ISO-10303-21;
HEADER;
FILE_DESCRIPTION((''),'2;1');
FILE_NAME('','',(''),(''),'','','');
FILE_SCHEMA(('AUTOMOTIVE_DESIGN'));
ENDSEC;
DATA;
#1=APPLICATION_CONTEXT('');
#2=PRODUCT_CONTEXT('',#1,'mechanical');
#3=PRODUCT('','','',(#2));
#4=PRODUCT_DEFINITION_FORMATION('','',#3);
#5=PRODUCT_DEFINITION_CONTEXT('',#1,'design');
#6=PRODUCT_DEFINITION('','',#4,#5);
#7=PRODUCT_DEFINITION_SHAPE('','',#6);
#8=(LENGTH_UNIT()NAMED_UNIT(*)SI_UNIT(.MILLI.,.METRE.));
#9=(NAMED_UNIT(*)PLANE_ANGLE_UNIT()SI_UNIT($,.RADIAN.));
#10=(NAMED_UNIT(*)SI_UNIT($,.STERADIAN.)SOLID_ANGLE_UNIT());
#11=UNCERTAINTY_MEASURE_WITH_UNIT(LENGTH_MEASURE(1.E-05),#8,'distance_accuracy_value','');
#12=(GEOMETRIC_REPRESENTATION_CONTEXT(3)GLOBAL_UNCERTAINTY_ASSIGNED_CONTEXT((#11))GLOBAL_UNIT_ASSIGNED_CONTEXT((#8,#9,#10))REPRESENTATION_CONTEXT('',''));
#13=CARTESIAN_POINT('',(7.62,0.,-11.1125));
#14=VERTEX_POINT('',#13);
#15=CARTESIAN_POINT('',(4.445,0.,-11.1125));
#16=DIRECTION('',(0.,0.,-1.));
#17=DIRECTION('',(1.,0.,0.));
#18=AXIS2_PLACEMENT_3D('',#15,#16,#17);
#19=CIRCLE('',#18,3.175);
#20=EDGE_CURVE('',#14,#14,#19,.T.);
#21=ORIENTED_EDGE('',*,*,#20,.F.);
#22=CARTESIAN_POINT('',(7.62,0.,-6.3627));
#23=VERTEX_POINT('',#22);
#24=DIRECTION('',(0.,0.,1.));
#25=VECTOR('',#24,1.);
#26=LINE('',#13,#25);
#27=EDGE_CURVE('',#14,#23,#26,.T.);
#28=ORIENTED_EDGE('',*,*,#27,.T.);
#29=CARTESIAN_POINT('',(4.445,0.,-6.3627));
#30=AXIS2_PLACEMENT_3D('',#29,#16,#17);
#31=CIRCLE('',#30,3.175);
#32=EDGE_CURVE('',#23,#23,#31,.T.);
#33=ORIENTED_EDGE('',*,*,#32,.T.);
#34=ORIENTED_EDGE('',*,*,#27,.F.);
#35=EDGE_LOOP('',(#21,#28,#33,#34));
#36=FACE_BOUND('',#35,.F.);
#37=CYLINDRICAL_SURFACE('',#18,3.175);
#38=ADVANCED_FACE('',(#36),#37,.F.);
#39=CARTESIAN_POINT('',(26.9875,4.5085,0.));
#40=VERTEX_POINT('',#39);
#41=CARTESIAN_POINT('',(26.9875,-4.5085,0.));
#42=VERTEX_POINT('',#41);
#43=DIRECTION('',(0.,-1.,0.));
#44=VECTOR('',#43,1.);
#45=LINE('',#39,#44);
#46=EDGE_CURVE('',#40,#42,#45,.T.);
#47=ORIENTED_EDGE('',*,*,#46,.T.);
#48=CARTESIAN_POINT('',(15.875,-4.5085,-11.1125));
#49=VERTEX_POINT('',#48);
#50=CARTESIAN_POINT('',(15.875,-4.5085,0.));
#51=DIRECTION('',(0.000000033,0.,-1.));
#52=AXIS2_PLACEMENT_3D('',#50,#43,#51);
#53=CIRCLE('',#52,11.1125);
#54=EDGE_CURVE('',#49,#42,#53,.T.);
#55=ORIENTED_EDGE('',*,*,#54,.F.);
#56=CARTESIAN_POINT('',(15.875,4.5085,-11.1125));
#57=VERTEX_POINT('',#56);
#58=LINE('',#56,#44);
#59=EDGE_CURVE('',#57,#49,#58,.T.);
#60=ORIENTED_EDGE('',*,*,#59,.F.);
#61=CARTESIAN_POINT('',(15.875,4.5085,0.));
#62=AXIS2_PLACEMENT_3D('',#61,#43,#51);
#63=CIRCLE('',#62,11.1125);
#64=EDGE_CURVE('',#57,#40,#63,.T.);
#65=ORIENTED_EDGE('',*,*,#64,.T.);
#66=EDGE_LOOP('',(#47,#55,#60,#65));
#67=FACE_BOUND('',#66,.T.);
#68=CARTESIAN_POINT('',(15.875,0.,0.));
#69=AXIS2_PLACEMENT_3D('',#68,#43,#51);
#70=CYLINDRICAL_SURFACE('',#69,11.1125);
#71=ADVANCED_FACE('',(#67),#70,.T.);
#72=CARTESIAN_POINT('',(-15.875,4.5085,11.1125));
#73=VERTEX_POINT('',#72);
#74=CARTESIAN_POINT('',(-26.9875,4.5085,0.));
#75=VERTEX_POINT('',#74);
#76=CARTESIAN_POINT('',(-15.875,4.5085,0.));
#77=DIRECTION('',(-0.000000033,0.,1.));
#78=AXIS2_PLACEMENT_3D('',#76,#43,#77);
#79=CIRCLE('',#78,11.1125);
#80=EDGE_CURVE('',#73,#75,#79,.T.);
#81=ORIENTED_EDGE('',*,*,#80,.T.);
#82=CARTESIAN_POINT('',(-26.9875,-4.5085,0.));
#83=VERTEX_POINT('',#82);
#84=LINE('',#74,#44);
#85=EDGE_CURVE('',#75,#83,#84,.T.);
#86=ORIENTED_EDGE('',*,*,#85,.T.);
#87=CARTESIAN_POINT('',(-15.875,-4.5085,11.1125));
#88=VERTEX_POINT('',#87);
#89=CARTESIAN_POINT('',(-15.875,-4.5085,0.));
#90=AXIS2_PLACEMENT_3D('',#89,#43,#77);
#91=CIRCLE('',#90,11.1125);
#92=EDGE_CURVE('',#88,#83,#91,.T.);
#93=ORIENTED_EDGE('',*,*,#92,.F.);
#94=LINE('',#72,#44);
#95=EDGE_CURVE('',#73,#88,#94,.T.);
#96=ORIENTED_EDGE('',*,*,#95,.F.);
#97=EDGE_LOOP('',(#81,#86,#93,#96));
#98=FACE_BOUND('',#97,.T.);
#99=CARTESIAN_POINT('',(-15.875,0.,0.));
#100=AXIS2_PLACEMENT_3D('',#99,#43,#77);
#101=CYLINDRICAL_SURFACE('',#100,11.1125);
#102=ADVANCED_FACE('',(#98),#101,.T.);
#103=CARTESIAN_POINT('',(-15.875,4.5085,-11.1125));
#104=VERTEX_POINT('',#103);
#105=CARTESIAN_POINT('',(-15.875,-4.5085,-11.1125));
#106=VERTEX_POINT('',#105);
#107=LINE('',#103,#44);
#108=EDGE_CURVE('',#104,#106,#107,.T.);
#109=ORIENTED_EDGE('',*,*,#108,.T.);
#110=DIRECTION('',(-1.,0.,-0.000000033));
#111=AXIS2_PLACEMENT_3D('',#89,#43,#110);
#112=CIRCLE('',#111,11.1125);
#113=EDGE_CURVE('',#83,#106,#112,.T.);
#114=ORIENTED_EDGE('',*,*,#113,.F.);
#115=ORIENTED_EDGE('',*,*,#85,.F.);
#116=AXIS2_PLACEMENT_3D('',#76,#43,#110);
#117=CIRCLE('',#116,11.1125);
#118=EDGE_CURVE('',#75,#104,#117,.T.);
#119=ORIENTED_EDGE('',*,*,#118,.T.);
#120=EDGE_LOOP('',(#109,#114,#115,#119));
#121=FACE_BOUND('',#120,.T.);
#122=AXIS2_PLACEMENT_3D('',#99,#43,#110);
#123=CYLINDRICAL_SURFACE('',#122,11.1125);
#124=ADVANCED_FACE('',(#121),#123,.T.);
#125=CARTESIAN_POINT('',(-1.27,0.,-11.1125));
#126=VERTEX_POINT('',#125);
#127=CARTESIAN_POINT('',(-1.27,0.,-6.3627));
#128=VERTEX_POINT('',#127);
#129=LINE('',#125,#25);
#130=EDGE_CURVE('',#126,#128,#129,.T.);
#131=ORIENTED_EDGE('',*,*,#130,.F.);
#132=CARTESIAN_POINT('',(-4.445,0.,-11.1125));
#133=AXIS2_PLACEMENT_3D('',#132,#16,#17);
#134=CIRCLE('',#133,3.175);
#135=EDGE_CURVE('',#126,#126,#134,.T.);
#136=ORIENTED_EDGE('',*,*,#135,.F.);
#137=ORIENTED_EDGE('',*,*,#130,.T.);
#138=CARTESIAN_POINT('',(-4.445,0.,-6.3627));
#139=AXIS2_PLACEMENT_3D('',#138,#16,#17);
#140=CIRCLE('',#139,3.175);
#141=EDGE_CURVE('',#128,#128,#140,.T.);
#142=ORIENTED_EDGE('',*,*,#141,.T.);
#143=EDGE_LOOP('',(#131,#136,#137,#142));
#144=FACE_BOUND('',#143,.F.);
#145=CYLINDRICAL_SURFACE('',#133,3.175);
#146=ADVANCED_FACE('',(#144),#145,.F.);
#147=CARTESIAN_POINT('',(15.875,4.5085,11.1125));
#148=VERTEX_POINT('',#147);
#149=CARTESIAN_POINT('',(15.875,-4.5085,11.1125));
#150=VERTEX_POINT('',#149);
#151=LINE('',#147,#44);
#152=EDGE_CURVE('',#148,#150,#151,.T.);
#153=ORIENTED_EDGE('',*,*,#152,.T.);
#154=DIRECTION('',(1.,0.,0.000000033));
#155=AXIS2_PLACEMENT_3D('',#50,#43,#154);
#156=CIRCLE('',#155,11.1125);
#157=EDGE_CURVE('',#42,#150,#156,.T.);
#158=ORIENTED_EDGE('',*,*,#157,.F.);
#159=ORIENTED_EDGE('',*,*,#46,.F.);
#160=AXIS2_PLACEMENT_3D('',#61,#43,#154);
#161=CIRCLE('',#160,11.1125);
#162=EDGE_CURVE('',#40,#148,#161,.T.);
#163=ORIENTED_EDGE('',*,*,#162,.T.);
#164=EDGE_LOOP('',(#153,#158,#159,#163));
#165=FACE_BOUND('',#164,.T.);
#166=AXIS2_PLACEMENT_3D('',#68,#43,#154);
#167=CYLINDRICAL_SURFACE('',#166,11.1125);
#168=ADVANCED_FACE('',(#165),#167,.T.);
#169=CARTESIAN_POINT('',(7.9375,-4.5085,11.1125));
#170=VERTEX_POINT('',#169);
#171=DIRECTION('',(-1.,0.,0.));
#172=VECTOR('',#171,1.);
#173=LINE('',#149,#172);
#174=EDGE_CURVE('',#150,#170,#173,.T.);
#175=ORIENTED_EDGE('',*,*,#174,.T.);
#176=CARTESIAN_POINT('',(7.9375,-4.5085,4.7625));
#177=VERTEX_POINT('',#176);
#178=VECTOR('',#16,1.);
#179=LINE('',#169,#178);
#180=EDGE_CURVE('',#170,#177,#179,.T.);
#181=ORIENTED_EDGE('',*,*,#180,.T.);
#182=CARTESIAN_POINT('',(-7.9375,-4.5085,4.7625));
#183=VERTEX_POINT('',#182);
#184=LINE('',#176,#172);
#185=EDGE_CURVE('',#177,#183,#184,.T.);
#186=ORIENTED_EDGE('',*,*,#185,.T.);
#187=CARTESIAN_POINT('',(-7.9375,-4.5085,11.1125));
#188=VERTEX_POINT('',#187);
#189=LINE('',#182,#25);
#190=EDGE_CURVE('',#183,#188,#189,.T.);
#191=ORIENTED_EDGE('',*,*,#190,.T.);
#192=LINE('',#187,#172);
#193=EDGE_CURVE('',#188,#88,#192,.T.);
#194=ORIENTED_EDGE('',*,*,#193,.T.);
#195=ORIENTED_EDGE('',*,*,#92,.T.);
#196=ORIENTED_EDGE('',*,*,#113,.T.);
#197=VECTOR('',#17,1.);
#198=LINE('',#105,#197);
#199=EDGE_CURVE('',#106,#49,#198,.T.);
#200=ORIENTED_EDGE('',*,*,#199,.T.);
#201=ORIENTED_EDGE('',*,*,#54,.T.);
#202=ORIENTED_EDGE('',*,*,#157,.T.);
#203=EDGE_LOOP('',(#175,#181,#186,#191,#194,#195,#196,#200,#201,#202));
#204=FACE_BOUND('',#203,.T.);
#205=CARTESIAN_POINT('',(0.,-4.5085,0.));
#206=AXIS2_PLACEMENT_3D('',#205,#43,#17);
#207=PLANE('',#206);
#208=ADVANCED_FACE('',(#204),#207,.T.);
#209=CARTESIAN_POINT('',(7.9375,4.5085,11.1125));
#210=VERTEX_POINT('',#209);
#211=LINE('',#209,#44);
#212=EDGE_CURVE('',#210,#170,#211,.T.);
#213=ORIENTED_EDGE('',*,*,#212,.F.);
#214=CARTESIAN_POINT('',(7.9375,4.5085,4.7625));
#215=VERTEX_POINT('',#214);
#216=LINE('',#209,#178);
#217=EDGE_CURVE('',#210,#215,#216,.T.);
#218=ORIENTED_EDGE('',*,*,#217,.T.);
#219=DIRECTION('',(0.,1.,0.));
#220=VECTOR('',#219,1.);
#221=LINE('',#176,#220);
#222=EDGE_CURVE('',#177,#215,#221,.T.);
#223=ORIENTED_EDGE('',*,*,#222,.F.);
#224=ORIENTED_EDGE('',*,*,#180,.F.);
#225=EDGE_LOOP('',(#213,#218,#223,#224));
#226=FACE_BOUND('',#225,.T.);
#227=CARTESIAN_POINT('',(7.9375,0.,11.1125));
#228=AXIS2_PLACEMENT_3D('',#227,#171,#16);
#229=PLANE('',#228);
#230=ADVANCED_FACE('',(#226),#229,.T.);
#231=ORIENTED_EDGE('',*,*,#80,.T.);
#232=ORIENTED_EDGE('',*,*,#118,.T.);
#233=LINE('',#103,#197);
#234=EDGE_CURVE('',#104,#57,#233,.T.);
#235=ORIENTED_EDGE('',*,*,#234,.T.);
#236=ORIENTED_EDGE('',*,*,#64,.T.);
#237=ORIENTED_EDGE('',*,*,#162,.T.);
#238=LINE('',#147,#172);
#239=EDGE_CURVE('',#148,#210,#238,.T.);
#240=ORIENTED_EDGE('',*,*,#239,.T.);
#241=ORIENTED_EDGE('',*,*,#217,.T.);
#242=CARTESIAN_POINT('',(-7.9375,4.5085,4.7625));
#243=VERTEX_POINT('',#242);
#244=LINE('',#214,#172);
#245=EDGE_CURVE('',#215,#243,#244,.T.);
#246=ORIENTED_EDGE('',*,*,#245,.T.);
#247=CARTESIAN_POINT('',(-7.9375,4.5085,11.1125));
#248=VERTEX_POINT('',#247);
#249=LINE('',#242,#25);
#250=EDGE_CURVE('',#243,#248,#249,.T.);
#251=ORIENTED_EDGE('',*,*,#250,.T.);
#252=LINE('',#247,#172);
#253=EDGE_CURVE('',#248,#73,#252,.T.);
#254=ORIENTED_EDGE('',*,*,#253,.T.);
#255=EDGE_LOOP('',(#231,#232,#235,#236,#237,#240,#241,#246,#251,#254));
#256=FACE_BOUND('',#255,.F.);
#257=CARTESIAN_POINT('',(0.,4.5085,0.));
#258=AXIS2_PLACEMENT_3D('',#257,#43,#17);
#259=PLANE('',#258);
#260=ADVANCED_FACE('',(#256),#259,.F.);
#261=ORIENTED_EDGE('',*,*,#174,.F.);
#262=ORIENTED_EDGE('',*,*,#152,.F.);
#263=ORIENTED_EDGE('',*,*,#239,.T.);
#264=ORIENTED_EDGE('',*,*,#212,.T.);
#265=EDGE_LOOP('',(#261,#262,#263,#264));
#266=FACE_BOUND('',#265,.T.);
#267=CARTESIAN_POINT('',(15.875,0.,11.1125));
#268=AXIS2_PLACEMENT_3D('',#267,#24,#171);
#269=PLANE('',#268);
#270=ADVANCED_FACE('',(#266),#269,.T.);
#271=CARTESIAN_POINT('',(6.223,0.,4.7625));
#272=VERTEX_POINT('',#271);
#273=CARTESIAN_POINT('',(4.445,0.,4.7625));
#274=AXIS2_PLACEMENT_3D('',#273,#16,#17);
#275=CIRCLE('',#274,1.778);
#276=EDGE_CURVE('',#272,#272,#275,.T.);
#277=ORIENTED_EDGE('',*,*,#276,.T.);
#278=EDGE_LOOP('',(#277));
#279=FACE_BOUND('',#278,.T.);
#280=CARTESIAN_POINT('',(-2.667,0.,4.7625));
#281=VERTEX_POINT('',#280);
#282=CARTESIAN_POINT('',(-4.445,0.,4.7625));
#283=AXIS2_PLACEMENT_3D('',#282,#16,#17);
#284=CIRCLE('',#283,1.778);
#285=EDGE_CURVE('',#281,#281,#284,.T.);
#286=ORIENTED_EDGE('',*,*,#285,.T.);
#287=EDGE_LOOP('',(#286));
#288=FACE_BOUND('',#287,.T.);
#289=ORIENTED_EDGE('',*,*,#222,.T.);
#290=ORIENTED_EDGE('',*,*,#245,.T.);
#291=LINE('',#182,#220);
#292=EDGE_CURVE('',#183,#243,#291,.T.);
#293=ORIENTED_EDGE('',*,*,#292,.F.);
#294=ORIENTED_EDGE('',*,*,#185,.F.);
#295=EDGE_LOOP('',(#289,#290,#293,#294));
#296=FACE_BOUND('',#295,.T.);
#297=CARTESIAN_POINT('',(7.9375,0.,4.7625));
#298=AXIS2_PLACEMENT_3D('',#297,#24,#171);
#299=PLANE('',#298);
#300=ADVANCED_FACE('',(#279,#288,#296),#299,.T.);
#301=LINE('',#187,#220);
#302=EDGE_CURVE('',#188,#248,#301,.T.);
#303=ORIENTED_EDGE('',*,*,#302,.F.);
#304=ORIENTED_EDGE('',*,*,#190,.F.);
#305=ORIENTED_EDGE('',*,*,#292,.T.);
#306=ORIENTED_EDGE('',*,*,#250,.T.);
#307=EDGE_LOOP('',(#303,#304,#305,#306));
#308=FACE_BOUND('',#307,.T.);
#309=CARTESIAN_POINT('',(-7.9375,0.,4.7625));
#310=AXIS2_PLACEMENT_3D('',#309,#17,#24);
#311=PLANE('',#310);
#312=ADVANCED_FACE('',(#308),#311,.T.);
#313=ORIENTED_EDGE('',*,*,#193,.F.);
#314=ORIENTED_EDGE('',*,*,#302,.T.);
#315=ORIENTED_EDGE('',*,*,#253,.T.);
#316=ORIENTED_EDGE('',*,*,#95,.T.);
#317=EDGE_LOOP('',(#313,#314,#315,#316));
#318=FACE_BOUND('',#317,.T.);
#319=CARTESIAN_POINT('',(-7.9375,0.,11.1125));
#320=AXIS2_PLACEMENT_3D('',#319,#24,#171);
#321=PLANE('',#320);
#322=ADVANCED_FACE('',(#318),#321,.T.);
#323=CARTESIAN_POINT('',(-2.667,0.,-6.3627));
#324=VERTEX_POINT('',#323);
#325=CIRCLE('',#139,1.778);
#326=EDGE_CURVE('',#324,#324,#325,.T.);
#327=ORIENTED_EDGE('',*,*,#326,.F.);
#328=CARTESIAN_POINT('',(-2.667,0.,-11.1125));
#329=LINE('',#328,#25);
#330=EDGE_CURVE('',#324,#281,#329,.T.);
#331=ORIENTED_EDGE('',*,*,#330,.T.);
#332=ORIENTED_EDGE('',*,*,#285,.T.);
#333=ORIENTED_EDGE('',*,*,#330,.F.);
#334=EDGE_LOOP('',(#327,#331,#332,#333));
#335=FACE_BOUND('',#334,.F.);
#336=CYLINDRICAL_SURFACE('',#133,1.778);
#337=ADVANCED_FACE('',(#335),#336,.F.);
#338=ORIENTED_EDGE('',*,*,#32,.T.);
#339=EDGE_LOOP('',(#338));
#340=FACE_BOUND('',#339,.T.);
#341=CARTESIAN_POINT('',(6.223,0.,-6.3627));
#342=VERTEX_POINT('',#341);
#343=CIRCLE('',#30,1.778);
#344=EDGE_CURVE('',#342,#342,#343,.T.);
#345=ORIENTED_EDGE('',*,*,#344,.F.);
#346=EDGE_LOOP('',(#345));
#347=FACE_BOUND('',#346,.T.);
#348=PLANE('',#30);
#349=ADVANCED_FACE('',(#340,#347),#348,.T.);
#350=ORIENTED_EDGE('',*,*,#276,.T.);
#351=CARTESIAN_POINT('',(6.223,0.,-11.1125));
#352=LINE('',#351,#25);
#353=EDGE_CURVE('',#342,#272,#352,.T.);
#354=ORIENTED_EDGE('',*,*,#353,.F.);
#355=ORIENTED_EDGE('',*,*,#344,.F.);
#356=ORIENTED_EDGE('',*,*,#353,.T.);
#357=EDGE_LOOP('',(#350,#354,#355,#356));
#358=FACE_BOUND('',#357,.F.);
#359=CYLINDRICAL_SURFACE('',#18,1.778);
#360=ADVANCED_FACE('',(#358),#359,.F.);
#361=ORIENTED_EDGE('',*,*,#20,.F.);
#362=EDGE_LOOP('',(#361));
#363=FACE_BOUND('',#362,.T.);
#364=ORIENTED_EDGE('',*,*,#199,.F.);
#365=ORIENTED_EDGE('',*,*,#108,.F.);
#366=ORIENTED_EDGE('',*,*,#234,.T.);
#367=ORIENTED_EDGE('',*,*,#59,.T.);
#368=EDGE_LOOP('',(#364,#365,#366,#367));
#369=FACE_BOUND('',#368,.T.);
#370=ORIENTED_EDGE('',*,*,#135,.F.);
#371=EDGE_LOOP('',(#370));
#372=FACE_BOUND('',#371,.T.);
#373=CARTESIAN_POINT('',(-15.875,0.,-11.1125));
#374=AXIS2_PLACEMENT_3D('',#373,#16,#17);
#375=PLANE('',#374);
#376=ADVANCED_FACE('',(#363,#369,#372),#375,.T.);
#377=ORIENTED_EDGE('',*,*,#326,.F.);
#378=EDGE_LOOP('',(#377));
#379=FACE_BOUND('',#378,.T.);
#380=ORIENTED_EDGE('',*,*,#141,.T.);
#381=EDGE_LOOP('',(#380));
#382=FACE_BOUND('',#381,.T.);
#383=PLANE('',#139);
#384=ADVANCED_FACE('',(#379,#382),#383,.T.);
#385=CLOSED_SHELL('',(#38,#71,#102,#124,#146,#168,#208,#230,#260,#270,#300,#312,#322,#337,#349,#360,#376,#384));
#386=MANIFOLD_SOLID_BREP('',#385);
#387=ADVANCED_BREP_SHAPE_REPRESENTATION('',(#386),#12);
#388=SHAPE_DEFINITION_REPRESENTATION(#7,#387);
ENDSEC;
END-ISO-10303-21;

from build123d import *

# Parameters (mm, degrees)
F1_DEPTH = 4.5085
F2_R     = 3.175
F3_DEPTH = 4.7498
F4_R     = 1.778
F5_DEPTH = 25.4


with BuildPart() as f1:
    # F0 (on Front) → F1 (new body, symmetric)
    with BuildSketch(Plane.XZ):
        with BuildLine():
            Line((-7.9375, 11.1125), (-15.875, 11.1125))
            ThreePointArc((-15.875, 11.1125), (-23.732724, 7.857724), (-26.9875, 0))
            ThreePointArc((-26.9875, 0), (-23.732724, -7.857724), (-15.875, -11.1125))
            Line((-15.875, -11.1125), (0, -11.1125))
            Line((0, -11.1125), (15.875, -11.1125))
            ThreePointArc((15.875, -11.1125), (23.732724, -7.857724), (26.9875, 0))
            ThreePointArc((26.9875, 0), (23.732724, 7.857724), (15.875, 11.1125))
            Line((15.875, 11.1125), (7.9375, 11.1125))
            Line((7.9375, 11.1125), (7.9375, 4.7625))
            Line((7.9375, 4.7625), (0, 4.7625))
            Line((0, 4.7625), (-7.9375, 4.7625))
            Line((-7.9375, 4.7625), (-7.9375, 11.1125))
        make_face()
    extrude(amount=F1_DEPTH, both=True)

    # F2 (on face) → F3 (cut)
    with BuildSketch(Plane(origin=(0, 0, -11.1125), x_dir=(1, 0, 0), z_dir=(0, 0, -1))):
        with Locations((-4.445, 0)):
            Circle(F2_R)
        with Locations((4.445, 0)):
            Circle(F2_R)
    extrude(amount=-F3_DEPTH, mode=Mode.SUBTRACT)

    # F4 (on face) → F5 (cut)
    with BuildSketch(Plane(origin=(0, 0, -11.1125), x_dir=(1, 0, 0), z_dir=(0, 0, -1))):
        with Locations((-4.445, 0)):
            Circle(F4_R)
        with Locations((4.445, 0)):
            Circle(F4_R)
    extrude(amount=-F5_DEPTH, mode=Mode.SUBTRACT)


solid = f1.part
